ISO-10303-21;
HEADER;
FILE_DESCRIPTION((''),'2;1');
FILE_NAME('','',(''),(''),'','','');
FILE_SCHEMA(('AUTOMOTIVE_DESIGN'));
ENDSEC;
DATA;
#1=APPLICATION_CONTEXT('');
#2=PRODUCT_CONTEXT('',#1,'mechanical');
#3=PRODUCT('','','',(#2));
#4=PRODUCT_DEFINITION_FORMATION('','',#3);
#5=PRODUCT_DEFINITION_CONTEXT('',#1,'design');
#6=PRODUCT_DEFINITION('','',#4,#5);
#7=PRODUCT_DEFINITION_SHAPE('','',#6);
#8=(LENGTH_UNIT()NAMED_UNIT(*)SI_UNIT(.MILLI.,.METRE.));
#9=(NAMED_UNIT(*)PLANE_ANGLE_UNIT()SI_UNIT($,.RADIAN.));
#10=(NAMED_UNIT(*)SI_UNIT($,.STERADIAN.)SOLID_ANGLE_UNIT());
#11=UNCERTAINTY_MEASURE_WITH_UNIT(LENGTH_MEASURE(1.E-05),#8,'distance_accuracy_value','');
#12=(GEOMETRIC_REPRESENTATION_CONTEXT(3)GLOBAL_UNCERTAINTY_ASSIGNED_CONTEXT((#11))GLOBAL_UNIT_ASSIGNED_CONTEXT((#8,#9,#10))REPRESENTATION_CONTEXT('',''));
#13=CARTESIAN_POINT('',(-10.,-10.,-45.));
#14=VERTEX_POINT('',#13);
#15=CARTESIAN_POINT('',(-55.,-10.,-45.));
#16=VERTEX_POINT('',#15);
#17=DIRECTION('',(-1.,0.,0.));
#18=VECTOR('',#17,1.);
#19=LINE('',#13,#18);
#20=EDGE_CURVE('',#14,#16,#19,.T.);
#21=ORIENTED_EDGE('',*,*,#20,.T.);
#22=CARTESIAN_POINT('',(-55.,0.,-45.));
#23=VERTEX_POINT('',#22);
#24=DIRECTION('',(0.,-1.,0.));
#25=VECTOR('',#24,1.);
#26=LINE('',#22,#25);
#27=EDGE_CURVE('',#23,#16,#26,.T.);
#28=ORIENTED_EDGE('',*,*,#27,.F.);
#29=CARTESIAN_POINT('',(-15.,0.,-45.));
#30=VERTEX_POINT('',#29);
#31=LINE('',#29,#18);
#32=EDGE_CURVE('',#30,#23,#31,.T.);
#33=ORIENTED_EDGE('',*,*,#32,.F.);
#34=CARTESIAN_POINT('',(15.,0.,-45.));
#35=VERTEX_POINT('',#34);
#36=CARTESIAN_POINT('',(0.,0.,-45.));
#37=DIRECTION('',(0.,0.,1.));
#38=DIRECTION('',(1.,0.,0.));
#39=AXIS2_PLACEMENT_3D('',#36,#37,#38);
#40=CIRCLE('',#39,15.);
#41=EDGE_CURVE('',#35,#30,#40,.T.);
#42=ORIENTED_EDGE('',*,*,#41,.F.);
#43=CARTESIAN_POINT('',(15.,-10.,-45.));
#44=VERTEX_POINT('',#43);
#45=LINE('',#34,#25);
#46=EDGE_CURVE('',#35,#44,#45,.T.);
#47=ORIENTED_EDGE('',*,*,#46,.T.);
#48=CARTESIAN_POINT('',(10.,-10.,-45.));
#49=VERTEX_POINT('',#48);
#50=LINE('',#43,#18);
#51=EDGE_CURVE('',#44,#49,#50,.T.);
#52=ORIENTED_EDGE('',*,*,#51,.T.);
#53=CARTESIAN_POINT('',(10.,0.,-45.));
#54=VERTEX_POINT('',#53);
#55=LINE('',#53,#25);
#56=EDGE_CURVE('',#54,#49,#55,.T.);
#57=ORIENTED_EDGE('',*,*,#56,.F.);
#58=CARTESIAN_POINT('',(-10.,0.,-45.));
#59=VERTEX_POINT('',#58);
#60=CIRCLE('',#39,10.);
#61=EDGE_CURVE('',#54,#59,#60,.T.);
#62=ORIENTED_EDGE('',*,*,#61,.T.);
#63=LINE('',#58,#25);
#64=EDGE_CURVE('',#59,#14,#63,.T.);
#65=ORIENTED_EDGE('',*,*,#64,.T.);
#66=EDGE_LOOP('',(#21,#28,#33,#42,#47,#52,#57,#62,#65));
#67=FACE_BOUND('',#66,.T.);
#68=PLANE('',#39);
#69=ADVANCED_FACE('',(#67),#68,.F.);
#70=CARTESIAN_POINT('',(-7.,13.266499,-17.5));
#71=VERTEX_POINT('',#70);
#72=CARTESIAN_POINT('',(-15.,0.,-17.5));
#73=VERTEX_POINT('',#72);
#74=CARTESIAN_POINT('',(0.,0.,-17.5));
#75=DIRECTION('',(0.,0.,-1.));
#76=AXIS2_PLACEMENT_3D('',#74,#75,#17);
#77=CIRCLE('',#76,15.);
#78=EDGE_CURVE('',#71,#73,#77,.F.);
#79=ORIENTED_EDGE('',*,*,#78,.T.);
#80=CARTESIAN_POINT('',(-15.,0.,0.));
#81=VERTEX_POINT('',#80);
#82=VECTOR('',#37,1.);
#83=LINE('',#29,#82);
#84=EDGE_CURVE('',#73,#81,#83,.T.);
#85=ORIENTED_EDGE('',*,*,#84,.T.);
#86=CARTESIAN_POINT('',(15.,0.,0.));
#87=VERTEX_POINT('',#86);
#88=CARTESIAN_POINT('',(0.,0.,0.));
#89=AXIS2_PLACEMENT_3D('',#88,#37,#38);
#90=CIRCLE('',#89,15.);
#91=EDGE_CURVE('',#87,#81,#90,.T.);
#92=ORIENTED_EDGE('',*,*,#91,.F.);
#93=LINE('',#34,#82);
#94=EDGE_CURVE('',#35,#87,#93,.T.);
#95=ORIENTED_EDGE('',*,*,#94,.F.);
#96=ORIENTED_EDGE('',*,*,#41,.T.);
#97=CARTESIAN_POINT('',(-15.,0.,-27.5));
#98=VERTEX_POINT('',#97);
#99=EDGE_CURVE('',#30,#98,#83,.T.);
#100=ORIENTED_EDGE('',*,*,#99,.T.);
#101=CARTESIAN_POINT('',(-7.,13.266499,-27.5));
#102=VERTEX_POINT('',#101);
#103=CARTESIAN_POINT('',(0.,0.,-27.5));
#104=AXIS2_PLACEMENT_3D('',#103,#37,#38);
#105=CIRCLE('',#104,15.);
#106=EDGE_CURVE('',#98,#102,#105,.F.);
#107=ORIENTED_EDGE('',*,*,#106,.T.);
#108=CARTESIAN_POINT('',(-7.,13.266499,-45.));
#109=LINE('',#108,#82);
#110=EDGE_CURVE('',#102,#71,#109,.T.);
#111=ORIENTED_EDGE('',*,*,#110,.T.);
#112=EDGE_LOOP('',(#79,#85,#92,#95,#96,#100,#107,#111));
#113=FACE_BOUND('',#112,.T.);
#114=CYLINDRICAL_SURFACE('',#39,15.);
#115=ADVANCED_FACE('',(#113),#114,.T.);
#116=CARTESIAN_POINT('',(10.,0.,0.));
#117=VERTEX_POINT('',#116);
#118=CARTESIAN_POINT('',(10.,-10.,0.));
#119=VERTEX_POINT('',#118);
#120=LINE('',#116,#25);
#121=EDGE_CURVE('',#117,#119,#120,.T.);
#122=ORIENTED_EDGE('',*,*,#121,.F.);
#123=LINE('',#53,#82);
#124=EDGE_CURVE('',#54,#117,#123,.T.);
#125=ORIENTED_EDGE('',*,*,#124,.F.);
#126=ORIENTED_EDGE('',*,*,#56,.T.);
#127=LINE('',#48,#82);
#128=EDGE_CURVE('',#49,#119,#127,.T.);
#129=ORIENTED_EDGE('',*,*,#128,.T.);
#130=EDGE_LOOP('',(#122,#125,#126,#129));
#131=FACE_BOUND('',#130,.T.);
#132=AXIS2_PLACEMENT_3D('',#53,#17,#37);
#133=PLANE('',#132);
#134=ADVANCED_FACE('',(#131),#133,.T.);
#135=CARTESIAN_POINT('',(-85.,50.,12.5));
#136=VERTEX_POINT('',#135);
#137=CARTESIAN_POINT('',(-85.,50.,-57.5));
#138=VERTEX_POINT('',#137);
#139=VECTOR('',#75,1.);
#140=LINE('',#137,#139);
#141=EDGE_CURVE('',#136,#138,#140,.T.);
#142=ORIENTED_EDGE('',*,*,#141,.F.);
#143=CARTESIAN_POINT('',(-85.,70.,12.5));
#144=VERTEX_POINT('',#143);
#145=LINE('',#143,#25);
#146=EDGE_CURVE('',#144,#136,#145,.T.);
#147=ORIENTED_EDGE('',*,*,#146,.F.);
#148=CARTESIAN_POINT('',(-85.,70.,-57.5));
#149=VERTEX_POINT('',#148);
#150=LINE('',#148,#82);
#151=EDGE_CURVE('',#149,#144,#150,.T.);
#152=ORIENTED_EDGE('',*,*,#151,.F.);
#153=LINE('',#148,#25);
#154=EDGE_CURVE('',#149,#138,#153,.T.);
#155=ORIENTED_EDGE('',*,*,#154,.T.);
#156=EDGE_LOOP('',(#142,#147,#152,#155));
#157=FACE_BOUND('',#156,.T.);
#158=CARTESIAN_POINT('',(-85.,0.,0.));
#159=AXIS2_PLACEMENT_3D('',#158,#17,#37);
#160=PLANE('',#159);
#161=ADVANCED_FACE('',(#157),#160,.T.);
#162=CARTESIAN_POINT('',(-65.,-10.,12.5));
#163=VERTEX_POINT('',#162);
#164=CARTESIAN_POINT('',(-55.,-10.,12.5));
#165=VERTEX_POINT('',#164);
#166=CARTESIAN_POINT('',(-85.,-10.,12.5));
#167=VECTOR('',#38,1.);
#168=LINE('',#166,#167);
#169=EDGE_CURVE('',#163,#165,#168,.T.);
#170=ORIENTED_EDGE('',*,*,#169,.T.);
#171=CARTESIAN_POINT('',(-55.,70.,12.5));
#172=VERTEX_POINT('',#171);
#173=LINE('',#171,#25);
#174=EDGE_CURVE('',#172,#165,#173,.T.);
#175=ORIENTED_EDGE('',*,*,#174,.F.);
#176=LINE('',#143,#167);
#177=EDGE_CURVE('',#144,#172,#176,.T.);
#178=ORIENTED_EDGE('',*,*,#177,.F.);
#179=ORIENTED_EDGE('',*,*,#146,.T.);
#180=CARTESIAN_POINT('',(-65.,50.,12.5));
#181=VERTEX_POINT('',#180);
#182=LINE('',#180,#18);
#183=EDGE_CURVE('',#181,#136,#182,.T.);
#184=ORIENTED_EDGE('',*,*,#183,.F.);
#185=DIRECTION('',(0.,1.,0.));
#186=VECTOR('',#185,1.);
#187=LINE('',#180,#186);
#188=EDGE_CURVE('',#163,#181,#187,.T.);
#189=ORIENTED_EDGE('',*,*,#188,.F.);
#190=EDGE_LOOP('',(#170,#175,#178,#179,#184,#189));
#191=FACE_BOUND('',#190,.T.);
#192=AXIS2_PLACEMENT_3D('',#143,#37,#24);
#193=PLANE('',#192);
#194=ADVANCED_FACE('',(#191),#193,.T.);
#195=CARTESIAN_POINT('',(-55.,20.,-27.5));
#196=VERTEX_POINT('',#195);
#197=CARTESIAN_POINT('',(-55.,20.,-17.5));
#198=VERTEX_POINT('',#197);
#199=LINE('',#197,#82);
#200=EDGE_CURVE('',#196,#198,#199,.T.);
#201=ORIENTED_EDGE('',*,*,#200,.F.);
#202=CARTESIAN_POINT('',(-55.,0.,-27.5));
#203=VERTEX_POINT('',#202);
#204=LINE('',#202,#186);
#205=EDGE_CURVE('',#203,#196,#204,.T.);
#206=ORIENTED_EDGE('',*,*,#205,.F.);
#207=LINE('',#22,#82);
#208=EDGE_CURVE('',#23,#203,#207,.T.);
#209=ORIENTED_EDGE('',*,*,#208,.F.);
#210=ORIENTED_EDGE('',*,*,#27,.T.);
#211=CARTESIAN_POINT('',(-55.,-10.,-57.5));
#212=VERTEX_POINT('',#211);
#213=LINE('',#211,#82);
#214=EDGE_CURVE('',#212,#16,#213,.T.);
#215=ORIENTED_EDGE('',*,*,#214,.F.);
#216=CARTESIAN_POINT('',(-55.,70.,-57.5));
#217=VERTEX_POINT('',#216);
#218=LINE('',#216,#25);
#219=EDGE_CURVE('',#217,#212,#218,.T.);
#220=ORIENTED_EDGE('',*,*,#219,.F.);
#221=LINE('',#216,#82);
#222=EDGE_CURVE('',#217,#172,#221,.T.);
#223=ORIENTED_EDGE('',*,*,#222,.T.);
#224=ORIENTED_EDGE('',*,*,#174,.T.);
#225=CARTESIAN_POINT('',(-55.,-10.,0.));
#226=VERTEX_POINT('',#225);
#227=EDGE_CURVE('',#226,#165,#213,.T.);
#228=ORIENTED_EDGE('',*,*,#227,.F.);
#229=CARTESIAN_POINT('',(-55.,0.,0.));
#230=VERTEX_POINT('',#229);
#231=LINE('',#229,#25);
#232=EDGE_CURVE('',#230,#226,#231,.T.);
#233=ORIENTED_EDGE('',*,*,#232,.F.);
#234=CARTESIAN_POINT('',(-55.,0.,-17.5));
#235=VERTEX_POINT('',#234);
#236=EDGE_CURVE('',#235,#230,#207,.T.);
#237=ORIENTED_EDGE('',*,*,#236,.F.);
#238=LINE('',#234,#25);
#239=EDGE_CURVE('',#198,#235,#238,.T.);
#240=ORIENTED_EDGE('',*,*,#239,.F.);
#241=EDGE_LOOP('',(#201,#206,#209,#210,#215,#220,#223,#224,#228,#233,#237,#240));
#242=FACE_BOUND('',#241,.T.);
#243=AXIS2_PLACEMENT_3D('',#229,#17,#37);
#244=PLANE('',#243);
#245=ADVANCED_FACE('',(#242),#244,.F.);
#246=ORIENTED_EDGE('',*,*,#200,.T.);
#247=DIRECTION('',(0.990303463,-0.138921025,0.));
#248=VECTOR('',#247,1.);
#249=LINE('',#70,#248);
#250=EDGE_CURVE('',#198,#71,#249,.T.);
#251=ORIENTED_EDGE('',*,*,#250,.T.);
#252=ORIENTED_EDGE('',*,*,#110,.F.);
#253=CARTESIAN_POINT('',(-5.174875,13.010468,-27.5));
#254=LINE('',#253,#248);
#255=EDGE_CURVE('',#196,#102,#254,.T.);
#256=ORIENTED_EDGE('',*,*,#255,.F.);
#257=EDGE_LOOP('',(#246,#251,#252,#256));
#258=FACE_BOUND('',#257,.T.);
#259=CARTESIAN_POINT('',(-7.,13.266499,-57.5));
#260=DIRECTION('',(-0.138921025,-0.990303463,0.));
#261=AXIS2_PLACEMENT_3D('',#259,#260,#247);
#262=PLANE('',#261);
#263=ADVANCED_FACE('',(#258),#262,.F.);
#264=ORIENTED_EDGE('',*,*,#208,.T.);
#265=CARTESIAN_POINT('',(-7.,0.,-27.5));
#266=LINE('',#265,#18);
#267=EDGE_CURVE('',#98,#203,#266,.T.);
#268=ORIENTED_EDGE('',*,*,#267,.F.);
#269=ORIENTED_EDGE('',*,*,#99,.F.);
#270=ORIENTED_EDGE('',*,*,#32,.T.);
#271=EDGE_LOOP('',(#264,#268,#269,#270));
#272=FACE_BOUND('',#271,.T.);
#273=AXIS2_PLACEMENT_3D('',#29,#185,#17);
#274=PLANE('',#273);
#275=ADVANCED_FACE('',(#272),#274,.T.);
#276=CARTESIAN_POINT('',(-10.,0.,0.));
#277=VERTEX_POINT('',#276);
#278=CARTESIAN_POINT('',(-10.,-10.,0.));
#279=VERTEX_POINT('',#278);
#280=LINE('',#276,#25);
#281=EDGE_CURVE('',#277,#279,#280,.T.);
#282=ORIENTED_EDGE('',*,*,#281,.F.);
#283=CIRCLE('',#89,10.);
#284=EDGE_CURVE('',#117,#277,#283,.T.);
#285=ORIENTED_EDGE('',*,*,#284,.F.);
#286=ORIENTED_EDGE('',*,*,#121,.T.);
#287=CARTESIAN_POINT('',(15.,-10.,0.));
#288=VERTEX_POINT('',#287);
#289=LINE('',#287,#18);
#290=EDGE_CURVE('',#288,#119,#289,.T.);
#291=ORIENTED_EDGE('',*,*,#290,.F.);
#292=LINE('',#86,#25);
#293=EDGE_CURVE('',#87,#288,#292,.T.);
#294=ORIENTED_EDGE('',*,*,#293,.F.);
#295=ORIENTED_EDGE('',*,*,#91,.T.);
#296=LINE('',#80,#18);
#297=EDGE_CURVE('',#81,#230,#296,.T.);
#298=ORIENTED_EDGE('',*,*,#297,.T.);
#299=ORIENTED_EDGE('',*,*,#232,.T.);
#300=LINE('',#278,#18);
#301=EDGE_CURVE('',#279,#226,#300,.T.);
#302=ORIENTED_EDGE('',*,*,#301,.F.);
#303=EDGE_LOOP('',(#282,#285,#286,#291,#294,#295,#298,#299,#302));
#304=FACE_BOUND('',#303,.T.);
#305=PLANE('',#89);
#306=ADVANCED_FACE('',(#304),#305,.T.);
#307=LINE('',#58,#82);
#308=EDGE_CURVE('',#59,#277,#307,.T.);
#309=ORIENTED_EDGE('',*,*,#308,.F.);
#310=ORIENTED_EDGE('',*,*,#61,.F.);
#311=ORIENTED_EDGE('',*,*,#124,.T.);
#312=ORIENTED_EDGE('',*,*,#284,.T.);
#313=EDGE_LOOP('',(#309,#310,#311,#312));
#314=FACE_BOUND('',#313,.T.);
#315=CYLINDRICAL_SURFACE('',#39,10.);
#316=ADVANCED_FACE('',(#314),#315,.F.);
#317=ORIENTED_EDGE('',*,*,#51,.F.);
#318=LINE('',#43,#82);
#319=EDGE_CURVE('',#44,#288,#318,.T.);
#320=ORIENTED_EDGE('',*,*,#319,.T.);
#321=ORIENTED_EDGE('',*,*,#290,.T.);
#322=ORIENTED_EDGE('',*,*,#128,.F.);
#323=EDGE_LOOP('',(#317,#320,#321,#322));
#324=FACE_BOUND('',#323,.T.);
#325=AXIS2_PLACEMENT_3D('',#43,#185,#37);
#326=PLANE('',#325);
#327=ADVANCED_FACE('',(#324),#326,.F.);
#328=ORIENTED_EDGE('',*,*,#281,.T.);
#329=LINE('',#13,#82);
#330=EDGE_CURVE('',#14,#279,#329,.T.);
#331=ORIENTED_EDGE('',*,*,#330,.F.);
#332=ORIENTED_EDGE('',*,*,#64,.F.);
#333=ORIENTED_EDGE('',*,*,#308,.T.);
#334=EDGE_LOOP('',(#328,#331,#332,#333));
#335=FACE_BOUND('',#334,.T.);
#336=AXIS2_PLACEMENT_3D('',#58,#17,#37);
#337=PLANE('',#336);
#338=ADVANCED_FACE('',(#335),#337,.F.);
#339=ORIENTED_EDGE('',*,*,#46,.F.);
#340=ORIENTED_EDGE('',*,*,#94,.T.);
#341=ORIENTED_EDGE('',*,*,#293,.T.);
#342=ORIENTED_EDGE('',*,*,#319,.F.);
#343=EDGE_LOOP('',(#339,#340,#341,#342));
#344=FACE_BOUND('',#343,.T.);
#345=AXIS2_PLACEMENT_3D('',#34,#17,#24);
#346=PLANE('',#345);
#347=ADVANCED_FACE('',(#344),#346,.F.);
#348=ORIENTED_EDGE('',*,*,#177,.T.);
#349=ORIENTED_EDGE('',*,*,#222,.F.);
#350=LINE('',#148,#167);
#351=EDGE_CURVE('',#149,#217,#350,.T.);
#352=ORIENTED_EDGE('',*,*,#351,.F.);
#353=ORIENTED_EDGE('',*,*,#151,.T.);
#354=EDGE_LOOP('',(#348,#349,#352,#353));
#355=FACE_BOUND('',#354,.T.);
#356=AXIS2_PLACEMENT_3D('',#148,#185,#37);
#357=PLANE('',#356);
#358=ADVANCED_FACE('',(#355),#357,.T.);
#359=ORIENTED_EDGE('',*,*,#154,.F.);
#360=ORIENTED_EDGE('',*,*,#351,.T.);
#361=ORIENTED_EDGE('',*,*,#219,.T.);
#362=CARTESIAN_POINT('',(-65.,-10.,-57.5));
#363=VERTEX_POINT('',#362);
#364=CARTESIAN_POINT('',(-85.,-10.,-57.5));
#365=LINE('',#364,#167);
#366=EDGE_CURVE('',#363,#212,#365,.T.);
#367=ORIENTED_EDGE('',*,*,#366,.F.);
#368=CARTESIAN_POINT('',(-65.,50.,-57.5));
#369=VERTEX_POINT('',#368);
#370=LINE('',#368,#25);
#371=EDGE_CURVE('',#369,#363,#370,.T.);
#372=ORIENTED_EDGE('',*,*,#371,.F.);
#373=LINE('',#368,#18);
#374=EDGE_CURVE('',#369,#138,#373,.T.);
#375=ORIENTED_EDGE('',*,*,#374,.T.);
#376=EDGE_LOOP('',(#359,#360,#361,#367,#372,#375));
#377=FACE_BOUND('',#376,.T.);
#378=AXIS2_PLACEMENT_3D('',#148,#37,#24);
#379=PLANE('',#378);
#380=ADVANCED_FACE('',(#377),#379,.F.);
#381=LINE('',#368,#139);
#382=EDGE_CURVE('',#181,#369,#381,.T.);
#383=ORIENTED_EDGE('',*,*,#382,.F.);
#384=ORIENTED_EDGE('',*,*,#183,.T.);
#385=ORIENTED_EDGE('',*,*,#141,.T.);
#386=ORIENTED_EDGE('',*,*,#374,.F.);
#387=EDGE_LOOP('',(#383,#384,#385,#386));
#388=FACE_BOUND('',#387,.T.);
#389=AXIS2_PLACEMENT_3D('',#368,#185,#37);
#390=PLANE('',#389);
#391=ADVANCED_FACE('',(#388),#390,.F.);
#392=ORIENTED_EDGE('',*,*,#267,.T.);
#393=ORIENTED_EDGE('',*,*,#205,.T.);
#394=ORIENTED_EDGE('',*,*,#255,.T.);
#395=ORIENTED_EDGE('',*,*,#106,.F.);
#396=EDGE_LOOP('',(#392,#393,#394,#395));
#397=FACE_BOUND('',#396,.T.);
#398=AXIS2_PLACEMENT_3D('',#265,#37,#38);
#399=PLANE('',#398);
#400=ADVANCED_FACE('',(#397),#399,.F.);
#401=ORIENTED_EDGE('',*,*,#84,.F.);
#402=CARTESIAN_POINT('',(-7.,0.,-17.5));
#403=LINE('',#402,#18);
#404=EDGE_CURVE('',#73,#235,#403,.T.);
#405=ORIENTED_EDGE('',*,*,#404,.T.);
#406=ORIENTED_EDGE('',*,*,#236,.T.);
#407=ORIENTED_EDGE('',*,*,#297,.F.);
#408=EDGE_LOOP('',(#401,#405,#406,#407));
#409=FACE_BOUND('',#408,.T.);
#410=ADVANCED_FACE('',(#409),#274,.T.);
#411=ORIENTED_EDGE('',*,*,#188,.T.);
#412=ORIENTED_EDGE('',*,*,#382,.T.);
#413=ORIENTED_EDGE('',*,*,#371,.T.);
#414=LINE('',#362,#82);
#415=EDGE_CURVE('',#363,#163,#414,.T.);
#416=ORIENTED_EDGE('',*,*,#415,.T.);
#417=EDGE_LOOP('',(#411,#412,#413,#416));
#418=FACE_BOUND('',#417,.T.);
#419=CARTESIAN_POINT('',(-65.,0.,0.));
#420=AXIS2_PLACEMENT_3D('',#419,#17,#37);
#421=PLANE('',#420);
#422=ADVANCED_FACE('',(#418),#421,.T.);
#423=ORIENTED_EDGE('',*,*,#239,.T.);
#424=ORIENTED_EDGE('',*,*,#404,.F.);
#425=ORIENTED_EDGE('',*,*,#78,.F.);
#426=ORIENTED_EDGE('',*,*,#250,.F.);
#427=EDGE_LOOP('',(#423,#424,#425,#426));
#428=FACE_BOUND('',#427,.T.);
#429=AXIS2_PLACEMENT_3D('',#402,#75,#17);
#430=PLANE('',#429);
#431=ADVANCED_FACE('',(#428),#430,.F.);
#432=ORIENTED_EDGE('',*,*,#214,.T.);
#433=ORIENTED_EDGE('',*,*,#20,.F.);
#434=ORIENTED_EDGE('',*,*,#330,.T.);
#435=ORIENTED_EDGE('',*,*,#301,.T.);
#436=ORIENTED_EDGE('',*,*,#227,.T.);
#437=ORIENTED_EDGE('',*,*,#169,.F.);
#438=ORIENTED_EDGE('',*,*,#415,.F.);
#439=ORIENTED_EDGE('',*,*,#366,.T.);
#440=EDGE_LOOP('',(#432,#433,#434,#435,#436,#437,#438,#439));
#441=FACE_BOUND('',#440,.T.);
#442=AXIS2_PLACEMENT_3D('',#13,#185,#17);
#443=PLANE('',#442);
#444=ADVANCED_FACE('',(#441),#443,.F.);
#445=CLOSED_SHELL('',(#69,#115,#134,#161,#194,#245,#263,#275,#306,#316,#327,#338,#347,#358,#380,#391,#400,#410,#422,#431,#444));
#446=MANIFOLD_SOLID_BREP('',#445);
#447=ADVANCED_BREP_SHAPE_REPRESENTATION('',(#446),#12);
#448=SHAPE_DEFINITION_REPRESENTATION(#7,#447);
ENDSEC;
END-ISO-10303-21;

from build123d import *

# Parameters (mm, degrees)
EXTRUDE_1_DEPTH     = 45
SKETCH_2_W          = 70
SKETCH_2_H          = 80
EXTRUDE_2_DEPTH     = 30
SKETCH_3_W          = 70
SKETCH_3_H          = 60
CUT_EXTRUDE_1_DEPTH = 20
SKETCH_4_W          = 10
SKETCH_4_H          = 20
EXTRUDE_4_DEPTH     = 48
CUT_EXTRUDE_2_DEPTH = 125.222582488
CUT_EXTRUDE_3_DEPTH = 118.153745139


with BuildPart() as part:
    # 草圖1 → 填料-伸長1 (new body)
    with BuildSketch(Plane.XY):
        with BuildLine():
            Line((-15, 0), (-55, 0))
            Line((-55, 0), (-55, -10))
            Line((-55, -10), (-10, -10))
            Line((-10, -10), (-10, 0))
            ThreePointArc((-10, 0), (0, 10), (10, 0))
            Line((10, 0), (10, -10))
            Line((10, -10), (15, -10))
            Line((15, -10), (15, 0))
            ThreePointArc((15, 0), (0, 15), (-15, 0))
        make_face()
    extrude(amount=-EXTRUDE_1_DEPTH)

    # 草圖2 → 填料-伸長2 (add)
    with BuildSketch(Plane.ZY.offset(55)):
        with Locations((-22.5, 30)):
            Rectangle(SKETCH_2_W, SKETCH_2_H)
    extrude(amount=EXTRUDE_2_DEPTH)

    # 草圖3 → 除料-伸長1 (cut)
    with BuildSketch(Plane.ZY.offset(85)):
        with Locations((-22.5, 20)):
            Rectangle(SKETCH_3_W, SKETCH_3_H)
    extrude(amount=-CUT_EXTRUDE_1_DEPTH, mode=Mode.SUBTRACT)

    # 草圖4 → 填料-伸長4 (add)
    with BuildSketch(Plane(origin=(-55, 0, 0), x_dir=(0, 0, -1), z_dir=(1, 0, 0))):
        with Locations((22.5, 10)):
            Rectangle(SKETCH_4_W, SKETCH_4_H)
    extrude(amount=EXTRUDE_4_DEPTH)

    # 草圖6 → 除料-伸長2 (cut, through all)
    with BuildSketch(Plane.XY):
        with BuildLine():
            Line((10, 0), (10, -10))
            Line((10, -10), (-10, -10))
            Line((-10, -10), (-10, 0))
            ThreePointArc((-10, 0), (0, 10), (10, 0))
        make_face()
    extrude(amount=-CUT_EXTRUDE_2_DEPTH, mode=Mode.SUBTRACT)

    # 草圖7 → 除料-伸長3 (cut, through all)
    with BuildSketch(Plane.XY.offset(-17.5)):
        Polygon((-7, 13.266499161), (-55, 20), (-7, 20), align=None)
    extrude(amount=-CUT_EXTRUDE_3_DEPTH, mode=Mode.SUBTRACT)


solid = part.part
